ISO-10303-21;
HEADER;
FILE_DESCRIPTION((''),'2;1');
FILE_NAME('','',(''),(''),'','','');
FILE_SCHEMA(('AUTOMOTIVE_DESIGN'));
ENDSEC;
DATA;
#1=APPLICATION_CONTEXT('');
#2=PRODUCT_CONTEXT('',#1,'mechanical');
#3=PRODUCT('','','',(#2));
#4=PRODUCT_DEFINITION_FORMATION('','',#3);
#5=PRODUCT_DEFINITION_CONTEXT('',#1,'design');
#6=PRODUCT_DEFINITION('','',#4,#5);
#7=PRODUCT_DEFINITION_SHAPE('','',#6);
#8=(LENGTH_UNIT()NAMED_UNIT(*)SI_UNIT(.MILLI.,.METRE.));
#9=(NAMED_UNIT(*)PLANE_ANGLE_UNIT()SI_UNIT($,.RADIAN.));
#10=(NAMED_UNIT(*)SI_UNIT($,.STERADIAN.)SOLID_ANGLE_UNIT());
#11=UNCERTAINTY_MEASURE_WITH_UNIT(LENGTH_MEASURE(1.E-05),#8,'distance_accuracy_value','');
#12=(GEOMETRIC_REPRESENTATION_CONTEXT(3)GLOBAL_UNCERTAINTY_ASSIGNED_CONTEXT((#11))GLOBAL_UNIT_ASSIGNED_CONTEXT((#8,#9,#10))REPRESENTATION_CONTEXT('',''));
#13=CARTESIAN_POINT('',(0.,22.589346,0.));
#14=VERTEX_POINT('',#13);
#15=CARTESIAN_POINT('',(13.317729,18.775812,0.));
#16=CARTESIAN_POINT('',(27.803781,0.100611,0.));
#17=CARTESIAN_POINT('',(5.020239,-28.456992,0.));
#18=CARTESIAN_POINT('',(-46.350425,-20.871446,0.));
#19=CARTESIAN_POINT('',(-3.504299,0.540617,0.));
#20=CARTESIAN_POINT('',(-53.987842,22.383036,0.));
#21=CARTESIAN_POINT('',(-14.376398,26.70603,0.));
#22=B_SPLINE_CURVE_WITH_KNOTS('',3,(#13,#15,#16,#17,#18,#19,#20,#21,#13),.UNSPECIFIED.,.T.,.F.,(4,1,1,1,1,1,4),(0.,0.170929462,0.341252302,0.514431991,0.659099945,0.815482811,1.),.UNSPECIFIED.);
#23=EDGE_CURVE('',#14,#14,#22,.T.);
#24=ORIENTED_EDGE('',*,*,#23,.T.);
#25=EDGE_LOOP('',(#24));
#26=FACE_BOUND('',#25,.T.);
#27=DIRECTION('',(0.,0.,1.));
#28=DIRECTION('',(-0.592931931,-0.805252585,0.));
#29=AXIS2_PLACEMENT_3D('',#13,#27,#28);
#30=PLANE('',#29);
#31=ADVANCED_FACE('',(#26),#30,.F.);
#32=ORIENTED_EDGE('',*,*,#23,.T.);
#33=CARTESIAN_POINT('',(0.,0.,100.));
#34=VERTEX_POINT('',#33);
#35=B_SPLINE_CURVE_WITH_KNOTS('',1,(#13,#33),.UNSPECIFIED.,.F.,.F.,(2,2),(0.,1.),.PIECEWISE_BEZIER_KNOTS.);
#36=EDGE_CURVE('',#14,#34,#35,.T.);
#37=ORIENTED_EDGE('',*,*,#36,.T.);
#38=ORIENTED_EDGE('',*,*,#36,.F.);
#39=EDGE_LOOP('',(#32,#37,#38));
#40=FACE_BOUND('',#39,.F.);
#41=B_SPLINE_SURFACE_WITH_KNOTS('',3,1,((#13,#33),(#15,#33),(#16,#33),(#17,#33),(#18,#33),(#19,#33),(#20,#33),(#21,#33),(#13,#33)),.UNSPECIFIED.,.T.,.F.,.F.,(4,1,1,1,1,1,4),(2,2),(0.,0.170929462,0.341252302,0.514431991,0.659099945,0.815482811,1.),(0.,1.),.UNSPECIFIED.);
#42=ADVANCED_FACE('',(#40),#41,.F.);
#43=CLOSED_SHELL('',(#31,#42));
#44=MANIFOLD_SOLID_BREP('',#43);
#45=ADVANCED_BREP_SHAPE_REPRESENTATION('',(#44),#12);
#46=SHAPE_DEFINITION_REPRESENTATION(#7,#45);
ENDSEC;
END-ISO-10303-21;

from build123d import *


with BuildPart() as f3:
    # F0 (on Top) → F3 section 0
    with BuildSketch(Plane.XY, mode=Mode.PRIVATE) as f3_s0:
        with BuildLine():
            add(Edge.make_bspline(
                [(0, 22.5893463939), (13.3177291826, 18.7758124884), (27.8037814562, 0.1006114299), (5.020239244, -28.4569924893), (-46.3504254395, -20.8714459066), (-3.504298777, 0.5406167306), (-53.9878418237, 22.3830363849), (-14.3763978321, 26.7060302385), (0, 22.5893463939)],
                knots=[0, 0, 0, 0, 0.1709294621, 0.3412523018, 0.5144319906, 0.6590999454, 0.8154828113, 1, 1, 1, 1], degree=3))
        make_face()
    loft([f3_s0.sketch, Vertex(0, 0, 100)])


solid = f3.part
